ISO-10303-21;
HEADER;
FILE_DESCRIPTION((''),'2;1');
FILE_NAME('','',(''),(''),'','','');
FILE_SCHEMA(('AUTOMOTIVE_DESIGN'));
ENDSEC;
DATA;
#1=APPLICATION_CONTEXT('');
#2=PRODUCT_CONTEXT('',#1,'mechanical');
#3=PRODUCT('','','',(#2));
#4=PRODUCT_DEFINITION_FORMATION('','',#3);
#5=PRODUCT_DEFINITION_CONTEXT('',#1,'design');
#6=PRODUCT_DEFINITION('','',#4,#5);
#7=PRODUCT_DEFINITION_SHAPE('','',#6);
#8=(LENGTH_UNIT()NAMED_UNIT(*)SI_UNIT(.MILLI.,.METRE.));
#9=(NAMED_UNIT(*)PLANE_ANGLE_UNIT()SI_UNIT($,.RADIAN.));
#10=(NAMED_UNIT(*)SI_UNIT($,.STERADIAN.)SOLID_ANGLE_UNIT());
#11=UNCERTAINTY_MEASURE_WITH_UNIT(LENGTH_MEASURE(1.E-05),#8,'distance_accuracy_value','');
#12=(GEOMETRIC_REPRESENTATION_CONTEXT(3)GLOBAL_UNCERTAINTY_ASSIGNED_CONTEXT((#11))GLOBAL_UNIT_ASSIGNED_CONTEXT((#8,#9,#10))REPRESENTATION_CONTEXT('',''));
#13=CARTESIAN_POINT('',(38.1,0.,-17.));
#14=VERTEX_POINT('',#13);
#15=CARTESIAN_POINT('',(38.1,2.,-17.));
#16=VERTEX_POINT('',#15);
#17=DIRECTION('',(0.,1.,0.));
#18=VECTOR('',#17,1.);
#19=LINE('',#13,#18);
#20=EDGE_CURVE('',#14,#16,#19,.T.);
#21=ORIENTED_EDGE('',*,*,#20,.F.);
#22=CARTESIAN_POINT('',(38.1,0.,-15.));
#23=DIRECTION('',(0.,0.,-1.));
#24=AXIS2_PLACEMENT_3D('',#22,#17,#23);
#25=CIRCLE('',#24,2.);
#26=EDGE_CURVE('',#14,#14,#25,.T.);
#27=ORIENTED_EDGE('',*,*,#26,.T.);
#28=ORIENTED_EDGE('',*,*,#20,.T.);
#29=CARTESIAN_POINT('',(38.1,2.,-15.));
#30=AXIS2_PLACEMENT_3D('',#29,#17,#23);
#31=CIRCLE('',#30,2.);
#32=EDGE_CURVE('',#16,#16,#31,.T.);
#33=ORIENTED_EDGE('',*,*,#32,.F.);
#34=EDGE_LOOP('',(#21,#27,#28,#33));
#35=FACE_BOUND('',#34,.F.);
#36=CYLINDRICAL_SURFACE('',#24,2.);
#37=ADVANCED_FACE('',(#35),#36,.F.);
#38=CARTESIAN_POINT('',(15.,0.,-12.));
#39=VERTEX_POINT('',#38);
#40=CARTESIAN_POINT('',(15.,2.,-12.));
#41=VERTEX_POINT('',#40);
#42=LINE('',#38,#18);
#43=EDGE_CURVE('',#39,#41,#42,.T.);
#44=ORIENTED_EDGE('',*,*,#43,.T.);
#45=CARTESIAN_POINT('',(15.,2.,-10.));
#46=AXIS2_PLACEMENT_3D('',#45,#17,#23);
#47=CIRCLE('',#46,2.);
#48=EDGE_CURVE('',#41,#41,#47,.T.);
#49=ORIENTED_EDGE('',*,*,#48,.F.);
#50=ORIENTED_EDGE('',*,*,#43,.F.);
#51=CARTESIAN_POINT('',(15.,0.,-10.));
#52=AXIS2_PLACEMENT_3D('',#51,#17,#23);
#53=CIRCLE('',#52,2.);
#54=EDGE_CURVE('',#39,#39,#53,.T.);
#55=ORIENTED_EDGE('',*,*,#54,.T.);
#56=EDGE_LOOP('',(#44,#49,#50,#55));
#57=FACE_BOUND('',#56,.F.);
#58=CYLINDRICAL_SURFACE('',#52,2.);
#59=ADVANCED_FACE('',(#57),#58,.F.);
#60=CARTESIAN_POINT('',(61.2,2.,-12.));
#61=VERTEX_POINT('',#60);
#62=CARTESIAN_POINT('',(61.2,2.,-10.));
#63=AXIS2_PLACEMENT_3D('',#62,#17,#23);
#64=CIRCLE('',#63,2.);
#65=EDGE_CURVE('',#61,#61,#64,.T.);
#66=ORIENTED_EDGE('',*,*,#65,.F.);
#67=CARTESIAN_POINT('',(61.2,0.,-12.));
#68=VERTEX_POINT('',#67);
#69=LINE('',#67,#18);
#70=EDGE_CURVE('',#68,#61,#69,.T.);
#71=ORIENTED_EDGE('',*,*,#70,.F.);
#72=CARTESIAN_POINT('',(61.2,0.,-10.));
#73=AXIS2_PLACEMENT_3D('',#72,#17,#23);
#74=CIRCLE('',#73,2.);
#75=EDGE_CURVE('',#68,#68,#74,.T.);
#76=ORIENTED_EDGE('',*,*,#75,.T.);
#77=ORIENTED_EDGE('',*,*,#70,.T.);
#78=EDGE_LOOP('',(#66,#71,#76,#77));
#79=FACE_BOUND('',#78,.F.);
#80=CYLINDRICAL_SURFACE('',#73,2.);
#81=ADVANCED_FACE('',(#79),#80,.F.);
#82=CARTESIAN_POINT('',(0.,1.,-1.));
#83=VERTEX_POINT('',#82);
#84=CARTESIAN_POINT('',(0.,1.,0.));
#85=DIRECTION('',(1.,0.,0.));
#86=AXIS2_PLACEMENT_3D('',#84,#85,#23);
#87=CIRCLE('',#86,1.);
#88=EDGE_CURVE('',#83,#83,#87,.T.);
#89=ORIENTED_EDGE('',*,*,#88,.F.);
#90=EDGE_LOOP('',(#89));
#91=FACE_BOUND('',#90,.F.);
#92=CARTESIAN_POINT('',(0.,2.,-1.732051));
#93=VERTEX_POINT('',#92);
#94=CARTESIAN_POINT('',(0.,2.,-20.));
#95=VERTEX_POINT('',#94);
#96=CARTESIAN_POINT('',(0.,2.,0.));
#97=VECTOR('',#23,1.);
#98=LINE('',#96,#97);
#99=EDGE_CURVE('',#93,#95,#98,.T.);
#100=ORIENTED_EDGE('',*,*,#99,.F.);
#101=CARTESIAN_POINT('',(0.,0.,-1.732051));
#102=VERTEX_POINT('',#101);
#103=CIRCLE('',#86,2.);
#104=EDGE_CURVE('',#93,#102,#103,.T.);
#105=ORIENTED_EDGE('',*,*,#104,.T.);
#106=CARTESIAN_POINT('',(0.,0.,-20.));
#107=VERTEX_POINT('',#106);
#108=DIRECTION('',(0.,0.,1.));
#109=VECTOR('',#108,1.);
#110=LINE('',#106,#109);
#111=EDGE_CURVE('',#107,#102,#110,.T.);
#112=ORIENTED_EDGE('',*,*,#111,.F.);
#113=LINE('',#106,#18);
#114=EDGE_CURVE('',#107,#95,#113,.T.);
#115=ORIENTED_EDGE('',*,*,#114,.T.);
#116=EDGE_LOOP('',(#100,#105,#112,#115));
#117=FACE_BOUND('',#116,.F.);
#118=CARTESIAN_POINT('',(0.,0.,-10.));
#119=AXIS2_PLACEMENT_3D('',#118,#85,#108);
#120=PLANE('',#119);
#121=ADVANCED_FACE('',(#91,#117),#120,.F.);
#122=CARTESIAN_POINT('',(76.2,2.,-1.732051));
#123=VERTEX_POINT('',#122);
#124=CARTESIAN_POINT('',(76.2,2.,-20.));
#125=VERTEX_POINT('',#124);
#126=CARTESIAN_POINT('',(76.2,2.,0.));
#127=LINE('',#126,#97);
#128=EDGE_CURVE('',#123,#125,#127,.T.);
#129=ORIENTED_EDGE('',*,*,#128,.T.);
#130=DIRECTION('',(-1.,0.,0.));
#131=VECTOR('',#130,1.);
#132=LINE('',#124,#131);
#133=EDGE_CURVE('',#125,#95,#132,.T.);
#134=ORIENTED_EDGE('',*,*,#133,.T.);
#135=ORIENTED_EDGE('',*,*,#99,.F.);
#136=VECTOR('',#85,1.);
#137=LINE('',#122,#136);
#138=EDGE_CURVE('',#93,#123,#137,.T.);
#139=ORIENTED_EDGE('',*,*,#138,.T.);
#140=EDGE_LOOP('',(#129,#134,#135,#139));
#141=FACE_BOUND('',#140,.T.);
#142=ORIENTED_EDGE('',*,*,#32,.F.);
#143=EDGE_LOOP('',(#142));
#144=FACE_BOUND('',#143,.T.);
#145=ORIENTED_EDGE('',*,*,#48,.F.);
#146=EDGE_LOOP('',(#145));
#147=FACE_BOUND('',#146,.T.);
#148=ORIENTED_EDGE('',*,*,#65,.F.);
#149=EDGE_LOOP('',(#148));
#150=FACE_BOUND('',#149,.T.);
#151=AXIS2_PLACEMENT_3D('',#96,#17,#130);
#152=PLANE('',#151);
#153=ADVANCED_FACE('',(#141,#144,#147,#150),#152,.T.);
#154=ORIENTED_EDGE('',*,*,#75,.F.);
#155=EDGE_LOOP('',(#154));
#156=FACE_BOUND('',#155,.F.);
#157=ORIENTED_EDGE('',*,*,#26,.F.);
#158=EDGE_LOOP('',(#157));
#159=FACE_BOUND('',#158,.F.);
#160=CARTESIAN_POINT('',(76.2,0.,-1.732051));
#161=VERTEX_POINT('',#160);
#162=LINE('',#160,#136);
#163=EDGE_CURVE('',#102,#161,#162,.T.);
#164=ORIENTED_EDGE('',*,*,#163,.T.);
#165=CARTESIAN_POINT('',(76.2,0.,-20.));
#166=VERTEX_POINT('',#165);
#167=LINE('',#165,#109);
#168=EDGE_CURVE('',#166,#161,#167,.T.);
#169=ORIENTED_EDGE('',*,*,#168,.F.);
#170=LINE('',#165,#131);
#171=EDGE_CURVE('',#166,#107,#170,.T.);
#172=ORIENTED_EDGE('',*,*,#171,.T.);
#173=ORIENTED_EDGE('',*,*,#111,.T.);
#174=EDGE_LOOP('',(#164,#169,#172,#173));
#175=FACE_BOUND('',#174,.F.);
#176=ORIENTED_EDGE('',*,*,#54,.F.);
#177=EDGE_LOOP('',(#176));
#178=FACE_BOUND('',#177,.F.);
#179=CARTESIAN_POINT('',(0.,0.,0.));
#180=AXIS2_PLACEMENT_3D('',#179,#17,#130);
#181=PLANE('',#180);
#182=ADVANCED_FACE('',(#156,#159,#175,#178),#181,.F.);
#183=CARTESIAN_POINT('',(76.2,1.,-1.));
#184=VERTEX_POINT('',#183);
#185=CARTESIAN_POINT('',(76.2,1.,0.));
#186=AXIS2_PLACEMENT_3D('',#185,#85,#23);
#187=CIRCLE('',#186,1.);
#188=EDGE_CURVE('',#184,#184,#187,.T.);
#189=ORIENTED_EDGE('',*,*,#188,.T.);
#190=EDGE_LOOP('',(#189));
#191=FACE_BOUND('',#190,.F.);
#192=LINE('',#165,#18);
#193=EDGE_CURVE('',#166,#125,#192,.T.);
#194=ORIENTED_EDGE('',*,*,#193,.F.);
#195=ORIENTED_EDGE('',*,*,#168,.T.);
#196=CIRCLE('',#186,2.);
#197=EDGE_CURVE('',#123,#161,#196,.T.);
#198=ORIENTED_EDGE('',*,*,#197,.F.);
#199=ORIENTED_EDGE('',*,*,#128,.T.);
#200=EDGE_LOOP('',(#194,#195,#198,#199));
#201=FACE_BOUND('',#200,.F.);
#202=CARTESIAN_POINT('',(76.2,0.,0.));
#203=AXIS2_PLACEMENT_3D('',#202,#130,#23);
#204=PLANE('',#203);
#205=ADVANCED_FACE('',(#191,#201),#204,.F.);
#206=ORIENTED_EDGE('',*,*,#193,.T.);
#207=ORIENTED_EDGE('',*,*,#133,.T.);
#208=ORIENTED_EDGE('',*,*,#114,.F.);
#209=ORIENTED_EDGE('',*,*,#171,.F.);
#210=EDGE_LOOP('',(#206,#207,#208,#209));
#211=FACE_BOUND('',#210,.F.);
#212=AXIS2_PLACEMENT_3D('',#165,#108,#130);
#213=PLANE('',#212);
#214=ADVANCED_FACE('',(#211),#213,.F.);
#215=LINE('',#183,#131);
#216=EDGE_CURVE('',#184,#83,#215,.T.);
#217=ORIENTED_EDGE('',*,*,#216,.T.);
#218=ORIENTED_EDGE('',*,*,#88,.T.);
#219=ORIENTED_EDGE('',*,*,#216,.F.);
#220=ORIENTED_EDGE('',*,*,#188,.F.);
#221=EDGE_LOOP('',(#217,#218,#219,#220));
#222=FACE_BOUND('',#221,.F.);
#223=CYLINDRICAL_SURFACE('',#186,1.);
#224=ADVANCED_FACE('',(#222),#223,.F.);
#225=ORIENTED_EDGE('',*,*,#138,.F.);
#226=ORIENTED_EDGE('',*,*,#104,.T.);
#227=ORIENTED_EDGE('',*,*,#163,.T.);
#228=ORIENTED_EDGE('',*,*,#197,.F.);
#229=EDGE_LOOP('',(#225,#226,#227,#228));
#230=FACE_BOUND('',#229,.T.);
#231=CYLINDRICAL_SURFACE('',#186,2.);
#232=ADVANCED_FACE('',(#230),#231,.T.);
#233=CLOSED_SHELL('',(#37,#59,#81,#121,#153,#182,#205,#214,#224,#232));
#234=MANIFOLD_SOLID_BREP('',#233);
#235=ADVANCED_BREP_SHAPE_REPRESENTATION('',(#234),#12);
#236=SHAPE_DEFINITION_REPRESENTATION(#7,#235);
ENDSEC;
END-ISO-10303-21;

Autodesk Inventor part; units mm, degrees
ref_plane "YZ Plane" through (0, 0, 0) normal (1, 0, 0) x (0, 1, 0)
ref_plane "XZ Plane" through (0, 0, 0) normal (0, 1, 0) x (-1, 0, 0)
ref_plane "XY Plane" through (0, 0, 0) normal (0, 0, 1) x (1, 0, 0)
sketch "Sketch1" plane through (0, 0, 0) normal (0, 1, 0) x (-1, 0, 0)
  line L0 (0, 0) -> (-76.2, 0)
  line L1 (-76.2, 0) -> (-76.2, -20)
  line L2 (-76.2, -20) -> (0, -20)
  line L3 (0, -20) -> (0, 0)
  line L4 (0, 0) -> (-76.2, 0)
  line L5 (-76.2, 0) -> (-76.2, -10)
  line L6 (-76.2, -10) -> (0, -10) construction
  line L7 (0, -10) -> (0, 0)
  line L8 (0, -10) -> (-15, -10)
  line L9 (-76.2, -10) -> (-61.2, -10)
  line L10 (-38.1, -10) -> (-38.1, -15)
  dimension "d0" = 20
  dimension "d1" = 76.2
  dimension "d2" = 10
  dimension "d3" = 15
  dimension "d4" = 15
  dimension "d5" = 5
extrude "Extrusion1" add sketch "Sketch1" along normal blind 2
hole "Hole1" at (15, 0, -10) at (38.1, 0, -15) at (61.2, 0, -10) direction (0, 1, 0) diameter 4 depth 10 tip angle 118
sketch "Sketch2" plane through (76.2, 0, 0) normal (1, 0, 0) x (0, 0, -1)
  line L0 (0, 0) -> (0, 1)
  circle A0 centre (0, 1) radius 2
  circle A1 centre (0, 1) radius 1
  dimension "d15" = 1
  dimension "d16" = 4
  dimension "d19" = 2
extrude "Extrusion2" add sketch "Sketch2" against normal blind 76.2
extrude "Extrusion4" cut sketch "Sketch2" against normal blind 76.2 contours A1
properties part number "hinge"
